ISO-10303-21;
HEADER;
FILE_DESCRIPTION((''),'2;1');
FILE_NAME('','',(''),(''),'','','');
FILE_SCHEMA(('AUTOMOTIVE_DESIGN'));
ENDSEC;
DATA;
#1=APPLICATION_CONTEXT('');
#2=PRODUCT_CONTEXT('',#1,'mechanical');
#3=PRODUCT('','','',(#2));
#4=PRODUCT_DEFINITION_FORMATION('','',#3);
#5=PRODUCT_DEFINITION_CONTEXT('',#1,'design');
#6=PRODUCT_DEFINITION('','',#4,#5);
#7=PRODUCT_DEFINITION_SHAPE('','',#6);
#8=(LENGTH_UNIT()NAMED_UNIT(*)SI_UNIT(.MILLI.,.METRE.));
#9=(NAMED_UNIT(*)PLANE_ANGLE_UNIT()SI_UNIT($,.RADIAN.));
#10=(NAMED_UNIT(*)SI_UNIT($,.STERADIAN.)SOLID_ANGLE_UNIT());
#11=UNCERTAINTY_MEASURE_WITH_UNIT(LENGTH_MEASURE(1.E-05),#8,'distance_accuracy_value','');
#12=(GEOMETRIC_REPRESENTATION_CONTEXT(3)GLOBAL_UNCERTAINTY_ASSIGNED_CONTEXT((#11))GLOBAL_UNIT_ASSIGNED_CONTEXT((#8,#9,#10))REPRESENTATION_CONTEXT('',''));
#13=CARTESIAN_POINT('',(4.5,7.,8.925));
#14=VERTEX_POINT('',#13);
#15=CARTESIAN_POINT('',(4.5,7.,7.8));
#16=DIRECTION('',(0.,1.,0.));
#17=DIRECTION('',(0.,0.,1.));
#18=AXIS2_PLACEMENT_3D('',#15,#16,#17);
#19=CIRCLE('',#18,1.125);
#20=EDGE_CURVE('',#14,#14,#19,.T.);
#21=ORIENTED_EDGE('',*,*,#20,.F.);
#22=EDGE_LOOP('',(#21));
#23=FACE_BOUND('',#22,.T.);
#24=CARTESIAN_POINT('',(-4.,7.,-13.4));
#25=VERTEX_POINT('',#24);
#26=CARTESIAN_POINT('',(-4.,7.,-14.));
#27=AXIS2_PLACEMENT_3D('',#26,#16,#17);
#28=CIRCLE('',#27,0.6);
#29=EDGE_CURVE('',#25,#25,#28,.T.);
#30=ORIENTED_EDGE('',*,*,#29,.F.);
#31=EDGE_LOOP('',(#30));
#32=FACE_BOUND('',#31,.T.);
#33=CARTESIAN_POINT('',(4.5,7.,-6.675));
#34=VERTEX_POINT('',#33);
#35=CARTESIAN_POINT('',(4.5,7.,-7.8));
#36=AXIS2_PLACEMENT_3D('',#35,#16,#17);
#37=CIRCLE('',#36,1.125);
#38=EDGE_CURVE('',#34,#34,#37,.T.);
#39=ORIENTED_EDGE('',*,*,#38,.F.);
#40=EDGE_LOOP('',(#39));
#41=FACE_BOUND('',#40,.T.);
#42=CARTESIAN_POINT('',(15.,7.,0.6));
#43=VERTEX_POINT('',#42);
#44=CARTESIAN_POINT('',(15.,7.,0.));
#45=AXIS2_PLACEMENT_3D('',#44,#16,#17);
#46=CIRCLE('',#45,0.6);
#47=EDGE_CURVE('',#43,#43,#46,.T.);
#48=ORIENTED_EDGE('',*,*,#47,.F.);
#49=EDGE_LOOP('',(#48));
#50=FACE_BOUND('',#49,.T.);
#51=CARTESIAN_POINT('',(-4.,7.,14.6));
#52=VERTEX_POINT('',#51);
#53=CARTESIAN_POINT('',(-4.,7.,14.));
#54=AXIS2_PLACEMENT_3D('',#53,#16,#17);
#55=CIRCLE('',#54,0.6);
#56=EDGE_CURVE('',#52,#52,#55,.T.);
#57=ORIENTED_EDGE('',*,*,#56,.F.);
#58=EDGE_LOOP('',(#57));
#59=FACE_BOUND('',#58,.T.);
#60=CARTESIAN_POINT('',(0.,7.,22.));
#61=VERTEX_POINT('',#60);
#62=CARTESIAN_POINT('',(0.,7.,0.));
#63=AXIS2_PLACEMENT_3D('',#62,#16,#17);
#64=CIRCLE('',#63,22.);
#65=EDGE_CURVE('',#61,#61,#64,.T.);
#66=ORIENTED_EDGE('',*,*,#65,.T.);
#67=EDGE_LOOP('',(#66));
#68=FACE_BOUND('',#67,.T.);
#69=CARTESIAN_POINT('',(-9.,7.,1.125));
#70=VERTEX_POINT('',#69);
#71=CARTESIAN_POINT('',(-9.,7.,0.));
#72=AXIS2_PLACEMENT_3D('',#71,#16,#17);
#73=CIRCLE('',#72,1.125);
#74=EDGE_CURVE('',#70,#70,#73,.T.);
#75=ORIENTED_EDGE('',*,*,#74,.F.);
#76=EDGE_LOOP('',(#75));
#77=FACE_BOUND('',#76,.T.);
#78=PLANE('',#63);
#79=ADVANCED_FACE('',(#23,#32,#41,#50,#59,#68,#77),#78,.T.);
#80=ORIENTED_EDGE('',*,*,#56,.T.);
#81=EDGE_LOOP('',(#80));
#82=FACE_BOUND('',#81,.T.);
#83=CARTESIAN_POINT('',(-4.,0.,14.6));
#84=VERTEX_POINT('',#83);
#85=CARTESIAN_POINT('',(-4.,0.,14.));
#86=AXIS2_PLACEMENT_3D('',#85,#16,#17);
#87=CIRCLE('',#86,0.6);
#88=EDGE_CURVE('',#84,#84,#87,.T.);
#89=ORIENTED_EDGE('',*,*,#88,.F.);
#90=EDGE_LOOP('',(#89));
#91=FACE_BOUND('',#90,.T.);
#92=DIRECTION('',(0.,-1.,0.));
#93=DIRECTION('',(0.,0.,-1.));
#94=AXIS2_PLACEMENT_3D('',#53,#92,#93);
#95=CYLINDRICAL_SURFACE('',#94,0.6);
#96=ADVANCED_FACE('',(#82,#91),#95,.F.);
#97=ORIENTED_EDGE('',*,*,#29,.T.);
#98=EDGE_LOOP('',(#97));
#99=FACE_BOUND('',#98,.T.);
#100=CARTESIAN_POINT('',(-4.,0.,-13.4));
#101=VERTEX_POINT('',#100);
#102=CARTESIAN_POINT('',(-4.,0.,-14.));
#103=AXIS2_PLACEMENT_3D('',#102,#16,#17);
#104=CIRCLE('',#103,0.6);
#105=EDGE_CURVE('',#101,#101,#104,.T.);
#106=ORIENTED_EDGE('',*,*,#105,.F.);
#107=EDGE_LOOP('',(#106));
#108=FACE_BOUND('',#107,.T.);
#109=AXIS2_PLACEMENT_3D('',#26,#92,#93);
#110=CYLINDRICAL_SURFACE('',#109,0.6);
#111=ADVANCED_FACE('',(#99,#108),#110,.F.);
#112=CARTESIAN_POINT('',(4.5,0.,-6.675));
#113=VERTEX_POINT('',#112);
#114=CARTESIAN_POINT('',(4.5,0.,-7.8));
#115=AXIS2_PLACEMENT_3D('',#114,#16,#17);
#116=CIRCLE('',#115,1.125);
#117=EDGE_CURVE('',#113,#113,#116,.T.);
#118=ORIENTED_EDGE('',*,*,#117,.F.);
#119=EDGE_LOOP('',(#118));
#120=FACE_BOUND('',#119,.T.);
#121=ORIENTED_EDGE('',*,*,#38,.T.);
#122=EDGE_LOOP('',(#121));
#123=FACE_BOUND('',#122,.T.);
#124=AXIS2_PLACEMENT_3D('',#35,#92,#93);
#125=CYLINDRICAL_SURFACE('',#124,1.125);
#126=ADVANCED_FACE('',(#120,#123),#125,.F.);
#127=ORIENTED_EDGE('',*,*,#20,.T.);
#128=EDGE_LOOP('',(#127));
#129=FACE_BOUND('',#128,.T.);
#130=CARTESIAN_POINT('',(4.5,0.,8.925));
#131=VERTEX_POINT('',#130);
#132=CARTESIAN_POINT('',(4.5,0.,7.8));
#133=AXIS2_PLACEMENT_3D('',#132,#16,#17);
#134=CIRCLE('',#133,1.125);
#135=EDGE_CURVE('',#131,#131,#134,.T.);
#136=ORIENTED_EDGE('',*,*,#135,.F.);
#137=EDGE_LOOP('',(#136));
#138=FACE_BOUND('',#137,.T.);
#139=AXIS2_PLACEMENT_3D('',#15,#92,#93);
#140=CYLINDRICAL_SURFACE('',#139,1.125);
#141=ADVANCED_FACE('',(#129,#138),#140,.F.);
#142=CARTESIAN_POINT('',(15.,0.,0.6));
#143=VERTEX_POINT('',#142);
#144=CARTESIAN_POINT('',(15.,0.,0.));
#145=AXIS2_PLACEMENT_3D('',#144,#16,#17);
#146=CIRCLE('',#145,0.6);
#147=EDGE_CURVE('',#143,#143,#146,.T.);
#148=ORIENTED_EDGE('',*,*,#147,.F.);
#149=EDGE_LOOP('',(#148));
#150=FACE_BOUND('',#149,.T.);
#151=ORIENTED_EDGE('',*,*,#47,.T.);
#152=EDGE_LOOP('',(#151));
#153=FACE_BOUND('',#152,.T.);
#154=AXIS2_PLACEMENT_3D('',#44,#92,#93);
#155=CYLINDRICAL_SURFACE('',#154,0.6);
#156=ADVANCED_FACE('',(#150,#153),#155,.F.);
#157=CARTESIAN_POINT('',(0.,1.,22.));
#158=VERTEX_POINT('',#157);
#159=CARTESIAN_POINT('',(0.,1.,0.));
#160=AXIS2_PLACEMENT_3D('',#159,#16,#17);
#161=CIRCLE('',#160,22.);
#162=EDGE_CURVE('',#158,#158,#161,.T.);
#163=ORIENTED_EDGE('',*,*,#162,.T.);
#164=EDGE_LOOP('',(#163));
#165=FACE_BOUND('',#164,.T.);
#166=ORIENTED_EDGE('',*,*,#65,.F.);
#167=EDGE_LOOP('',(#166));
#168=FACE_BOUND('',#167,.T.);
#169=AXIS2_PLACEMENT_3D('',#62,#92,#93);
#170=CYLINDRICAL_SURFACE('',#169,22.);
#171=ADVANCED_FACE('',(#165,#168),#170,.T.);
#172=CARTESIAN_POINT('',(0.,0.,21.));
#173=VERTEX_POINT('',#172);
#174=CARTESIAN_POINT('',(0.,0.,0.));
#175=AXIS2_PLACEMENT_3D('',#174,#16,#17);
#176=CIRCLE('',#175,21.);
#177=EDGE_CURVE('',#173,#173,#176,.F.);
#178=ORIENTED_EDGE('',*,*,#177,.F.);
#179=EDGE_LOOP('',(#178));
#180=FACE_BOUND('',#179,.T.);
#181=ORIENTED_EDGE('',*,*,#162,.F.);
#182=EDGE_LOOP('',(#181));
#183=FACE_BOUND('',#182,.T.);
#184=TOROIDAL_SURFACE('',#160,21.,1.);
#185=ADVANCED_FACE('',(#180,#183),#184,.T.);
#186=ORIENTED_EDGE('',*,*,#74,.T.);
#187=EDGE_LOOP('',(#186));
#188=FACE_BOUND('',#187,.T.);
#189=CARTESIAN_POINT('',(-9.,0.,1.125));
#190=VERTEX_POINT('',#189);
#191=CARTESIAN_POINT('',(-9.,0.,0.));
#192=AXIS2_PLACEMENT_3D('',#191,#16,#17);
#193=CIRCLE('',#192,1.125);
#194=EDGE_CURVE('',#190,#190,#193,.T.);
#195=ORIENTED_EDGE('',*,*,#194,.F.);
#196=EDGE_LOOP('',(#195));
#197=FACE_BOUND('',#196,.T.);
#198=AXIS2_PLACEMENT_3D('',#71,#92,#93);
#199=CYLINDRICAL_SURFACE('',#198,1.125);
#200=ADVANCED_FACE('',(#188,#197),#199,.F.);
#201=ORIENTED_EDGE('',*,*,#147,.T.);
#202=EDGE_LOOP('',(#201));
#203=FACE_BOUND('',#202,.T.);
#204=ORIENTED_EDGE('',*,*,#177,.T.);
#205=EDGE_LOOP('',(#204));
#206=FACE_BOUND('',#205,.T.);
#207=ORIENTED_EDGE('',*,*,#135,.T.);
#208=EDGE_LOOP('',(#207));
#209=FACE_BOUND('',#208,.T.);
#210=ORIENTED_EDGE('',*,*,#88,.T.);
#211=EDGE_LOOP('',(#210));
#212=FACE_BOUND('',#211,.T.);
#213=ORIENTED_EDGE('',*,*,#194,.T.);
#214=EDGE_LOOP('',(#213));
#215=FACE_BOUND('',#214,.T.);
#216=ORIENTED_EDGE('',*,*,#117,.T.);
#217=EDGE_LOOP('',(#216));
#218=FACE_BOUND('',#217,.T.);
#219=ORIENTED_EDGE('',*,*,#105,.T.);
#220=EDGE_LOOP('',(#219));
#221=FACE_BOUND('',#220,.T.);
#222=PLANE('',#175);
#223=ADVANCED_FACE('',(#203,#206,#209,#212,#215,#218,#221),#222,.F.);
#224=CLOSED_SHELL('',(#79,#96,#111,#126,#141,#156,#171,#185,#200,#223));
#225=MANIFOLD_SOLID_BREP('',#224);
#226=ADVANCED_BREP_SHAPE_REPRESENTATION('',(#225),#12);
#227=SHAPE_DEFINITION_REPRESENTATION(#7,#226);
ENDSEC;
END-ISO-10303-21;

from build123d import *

# Parameters (mm, degrees)
SKETCH1_R           = 22
SKETCH1_R_2         = 0.6
SKETCH1_R_3         = 1.125
BOSS_EXTRUDE1_DEPTH = 7
FILLET1_R           = 1


with BuildPart() as part:
    # Sketch1 → Boss-Extrude1 (new body)
    with BuildSketch(Plane(origin=(0, 0, 0), x_dir=(1, 0, 0), z_dir=(0, 1, 0))):
        with Locations(Location((0, 0, 0), (0, 0, 270))):
            Circle(SKETCH1_R)
        with Locations(Location((-4, 14, 0), (0, 0, 270))):
            Circle(SKETCH1_R_2, mode=Mode.SUBTRACT)
        with Locations(Location((-4, -14, 0), (0, 0, 270))):
            Circle(SKETCH1_R_2, mode=Mode.SUBTRACT)
        with Locations(Location((15, 0, 0), (0, 0, 270))):
            Circle(SKETCH1_R_2, mode=Mode.SUBTRACT)
        with Locations(Location((-9, 0, 0), (0, 0, 270))):
            Circle(SKETCH1_R_3, mode=Mode.SUBTRACT)
        with Locations(Location((4.5, 7.8, 0), (0, 0, 270))):
            Circle(SKETCH1_R_3, mode=Mode.SUBTRACT)
        with Locations(Location((4.5, -7.8, 0), (0, 0, 270))):
            Circle(SKETCH1_R_3, mode=Mode.SUBTRACT)
    extrude(amount=BOSS_EXTRUDE1_DEPTH)

    # Fillet1
    fillet1_edges = [part.edges().sort_by_distance(p)[0] for p in [
        (0, 0, -22),
    ]]
    fillet(fillet1_edges, radius=FILLET1_R)


solid = part.part
